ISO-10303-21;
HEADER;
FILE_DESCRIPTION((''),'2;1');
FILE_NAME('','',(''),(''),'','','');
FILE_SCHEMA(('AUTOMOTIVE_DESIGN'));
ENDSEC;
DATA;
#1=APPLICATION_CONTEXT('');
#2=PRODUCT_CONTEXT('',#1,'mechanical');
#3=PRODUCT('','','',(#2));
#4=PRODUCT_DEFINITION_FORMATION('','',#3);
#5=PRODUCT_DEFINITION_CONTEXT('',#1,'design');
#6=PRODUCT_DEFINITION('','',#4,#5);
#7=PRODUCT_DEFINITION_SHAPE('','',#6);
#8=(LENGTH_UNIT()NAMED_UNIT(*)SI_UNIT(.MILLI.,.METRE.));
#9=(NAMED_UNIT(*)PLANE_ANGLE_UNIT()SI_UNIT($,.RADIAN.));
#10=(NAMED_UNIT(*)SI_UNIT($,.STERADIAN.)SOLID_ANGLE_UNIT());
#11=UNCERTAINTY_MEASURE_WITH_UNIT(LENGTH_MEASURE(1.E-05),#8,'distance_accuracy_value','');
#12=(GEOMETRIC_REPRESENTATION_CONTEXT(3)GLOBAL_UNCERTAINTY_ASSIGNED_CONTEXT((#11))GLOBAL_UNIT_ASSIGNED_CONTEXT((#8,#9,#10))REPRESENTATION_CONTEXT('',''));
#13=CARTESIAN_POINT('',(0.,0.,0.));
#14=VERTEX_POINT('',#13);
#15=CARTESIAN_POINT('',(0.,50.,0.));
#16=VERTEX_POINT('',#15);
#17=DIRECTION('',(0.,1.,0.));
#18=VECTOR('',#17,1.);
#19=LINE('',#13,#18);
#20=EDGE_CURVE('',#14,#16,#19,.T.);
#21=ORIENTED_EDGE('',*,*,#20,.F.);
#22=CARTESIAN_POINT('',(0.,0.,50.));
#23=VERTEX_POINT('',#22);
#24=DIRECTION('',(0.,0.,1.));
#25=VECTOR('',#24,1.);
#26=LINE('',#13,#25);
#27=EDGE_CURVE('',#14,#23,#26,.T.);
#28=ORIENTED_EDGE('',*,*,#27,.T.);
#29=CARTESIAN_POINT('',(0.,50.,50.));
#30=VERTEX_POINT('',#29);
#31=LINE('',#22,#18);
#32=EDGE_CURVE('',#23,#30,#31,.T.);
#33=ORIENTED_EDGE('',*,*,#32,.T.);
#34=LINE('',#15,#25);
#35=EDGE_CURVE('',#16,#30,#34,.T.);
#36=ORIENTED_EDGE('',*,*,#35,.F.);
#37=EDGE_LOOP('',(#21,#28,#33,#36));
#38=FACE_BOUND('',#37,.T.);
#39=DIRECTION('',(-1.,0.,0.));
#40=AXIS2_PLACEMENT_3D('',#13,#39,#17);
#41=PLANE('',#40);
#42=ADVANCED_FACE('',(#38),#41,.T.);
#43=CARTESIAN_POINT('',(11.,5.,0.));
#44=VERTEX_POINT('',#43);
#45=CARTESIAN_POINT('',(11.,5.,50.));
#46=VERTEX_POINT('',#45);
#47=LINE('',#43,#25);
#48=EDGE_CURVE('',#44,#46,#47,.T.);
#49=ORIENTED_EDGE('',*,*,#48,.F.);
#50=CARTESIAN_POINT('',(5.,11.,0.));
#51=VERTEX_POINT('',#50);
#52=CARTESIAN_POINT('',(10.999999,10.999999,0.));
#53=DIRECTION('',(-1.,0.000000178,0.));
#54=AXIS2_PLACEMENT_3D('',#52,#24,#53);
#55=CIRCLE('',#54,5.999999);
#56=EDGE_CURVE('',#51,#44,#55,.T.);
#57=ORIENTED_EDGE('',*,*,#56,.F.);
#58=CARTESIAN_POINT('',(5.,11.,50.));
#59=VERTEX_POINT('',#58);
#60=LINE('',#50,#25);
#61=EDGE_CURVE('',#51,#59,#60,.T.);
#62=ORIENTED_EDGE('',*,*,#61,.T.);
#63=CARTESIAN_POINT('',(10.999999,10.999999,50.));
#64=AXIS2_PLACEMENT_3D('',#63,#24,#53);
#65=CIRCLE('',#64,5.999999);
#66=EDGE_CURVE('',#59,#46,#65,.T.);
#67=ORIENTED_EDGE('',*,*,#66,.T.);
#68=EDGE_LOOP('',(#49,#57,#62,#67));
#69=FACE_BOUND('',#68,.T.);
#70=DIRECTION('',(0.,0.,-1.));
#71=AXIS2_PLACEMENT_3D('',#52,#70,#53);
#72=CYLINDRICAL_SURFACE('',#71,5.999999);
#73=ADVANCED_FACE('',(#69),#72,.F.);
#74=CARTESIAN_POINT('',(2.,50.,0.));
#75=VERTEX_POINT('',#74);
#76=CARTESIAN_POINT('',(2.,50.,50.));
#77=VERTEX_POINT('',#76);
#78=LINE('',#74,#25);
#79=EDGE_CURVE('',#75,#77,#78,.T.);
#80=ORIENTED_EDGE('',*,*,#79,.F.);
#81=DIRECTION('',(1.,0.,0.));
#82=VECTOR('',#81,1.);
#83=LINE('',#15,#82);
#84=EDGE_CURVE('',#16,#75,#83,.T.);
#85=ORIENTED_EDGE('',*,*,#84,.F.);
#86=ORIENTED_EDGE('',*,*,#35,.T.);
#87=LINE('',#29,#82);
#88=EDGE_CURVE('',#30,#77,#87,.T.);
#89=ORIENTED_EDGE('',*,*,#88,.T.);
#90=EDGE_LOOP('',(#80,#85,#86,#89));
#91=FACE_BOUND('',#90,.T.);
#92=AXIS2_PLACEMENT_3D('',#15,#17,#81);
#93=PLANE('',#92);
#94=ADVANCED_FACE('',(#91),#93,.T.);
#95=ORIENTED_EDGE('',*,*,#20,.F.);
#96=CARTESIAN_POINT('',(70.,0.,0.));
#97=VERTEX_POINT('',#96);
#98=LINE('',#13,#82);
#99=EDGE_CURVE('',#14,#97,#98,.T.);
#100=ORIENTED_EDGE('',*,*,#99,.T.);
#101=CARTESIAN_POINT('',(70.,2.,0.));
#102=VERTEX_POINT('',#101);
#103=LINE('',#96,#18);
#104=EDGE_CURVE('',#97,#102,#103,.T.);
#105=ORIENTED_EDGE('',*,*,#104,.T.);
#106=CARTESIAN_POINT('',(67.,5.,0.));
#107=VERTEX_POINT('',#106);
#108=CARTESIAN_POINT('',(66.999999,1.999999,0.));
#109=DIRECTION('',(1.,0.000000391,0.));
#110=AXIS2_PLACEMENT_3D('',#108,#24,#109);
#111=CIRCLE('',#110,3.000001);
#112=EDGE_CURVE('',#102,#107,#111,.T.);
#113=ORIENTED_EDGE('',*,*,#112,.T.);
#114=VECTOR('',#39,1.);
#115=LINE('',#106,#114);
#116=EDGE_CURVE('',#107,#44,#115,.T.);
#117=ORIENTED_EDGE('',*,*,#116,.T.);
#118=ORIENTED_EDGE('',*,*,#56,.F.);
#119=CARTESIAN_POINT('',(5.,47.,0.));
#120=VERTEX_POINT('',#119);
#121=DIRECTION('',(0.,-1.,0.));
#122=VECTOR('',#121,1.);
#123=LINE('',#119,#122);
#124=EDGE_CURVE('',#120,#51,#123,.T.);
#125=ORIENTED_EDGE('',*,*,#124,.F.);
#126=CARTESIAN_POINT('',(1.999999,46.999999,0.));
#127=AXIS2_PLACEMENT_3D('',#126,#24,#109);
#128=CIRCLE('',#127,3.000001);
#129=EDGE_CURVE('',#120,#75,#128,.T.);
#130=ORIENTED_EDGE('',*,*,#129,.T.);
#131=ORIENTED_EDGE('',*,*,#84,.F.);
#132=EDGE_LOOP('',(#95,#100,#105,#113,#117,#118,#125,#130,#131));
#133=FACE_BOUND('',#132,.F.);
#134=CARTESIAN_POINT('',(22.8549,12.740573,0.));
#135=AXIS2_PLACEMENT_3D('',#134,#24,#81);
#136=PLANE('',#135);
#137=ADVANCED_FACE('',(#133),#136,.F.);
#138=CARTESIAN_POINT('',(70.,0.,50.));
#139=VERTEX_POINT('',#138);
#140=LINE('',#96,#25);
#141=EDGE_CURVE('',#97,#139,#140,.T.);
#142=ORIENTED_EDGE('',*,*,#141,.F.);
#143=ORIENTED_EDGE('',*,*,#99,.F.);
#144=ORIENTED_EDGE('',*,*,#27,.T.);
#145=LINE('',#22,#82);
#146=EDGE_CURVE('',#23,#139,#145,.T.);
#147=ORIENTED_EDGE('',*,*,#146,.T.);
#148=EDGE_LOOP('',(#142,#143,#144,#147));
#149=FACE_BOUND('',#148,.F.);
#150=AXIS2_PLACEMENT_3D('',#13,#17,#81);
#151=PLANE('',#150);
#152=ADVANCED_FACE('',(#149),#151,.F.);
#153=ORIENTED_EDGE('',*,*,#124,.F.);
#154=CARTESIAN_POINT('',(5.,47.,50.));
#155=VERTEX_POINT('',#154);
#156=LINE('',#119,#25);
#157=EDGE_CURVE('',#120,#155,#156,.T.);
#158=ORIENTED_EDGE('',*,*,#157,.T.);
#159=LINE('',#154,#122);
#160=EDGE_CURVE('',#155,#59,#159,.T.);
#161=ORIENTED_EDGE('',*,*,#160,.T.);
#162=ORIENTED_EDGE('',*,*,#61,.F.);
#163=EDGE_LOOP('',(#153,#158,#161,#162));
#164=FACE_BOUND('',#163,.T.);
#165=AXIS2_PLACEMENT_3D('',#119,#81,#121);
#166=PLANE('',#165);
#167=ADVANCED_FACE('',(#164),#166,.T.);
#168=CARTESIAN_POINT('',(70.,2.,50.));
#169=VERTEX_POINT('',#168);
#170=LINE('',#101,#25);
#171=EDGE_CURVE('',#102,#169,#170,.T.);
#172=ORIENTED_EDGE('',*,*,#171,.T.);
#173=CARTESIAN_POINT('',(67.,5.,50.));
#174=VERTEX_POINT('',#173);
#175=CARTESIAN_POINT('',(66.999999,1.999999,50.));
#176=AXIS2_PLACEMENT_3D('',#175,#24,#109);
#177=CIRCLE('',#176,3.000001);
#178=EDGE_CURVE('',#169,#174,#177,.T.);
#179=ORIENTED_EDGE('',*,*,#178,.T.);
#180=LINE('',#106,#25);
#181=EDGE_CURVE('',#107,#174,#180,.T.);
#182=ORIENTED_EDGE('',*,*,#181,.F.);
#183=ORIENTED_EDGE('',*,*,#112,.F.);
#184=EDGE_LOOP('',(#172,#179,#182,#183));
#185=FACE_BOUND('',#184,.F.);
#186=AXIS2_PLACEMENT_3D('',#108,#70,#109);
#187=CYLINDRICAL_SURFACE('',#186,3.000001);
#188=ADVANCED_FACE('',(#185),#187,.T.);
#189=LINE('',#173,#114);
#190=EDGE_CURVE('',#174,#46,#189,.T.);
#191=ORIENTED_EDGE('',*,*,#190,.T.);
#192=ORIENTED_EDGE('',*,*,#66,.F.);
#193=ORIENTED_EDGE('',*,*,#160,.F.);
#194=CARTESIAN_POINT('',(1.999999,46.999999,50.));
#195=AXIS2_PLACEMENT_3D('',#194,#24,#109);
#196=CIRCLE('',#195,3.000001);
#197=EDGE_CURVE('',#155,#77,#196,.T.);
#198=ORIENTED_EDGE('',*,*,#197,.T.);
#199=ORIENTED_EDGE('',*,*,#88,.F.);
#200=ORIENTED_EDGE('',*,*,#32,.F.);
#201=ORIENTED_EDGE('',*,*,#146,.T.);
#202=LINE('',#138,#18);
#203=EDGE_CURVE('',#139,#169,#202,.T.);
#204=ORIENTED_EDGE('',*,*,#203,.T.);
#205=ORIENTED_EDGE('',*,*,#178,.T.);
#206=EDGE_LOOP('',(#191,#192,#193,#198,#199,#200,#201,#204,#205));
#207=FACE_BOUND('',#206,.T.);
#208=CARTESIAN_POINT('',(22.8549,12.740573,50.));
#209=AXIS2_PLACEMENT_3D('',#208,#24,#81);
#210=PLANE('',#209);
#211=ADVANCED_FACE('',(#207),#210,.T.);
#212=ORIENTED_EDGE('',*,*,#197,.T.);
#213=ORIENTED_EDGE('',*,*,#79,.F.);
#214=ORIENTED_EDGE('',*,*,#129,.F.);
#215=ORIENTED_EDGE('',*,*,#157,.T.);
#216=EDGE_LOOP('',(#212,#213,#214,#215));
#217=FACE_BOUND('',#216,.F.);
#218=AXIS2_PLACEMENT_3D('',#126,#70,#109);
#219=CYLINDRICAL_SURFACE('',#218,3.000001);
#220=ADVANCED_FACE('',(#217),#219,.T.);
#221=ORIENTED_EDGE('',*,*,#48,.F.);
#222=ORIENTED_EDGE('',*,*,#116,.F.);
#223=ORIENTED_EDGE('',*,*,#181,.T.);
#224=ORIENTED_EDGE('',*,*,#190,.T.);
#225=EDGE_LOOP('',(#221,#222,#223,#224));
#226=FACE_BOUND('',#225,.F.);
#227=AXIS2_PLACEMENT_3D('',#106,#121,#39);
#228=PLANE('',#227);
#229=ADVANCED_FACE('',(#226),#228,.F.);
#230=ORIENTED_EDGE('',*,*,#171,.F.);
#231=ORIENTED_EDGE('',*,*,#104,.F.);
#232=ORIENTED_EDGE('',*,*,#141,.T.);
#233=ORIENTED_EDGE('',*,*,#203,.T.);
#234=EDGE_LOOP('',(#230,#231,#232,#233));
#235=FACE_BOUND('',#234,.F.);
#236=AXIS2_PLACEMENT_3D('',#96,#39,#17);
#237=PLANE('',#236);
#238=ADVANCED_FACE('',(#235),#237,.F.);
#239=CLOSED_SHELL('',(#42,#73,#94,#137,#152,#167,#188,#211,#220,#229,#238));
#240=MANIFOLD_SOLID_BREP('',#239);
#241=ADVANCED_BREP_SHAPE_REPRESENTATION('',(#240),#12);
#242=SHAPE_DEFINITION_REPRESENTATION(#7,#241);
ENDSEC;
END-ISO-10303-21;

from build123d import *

# Parameters (mm, degrees)
EXTRUDE_DEPTH = 50


with BuildPart() as part:
    # Sketch → Extrude (new body)
    with BuildSketch(Plane.XY):
        with BuildLine():
            Line((0, 0), (70, 0))
            Line((70, 0), (70, 2))
            ThreePointArc((70, 2), (69.12132, 4.12132), (67, 5))
            Line((67, 5), (11, 5))
            ThreePointArc((5, 11), (6.757359, 6.757359), (11, 5))
            Line((5, 47), (5, 11))
            ThreePointArc((5, 47), (4.12132, 49.12132), (2, 50))
            Line((0, 50), (2, 50))
            Line((0, 0), (0, 50))
        make_face()
    extrude(amount=EXTRUDE_DEPTH)


solid = part.part
